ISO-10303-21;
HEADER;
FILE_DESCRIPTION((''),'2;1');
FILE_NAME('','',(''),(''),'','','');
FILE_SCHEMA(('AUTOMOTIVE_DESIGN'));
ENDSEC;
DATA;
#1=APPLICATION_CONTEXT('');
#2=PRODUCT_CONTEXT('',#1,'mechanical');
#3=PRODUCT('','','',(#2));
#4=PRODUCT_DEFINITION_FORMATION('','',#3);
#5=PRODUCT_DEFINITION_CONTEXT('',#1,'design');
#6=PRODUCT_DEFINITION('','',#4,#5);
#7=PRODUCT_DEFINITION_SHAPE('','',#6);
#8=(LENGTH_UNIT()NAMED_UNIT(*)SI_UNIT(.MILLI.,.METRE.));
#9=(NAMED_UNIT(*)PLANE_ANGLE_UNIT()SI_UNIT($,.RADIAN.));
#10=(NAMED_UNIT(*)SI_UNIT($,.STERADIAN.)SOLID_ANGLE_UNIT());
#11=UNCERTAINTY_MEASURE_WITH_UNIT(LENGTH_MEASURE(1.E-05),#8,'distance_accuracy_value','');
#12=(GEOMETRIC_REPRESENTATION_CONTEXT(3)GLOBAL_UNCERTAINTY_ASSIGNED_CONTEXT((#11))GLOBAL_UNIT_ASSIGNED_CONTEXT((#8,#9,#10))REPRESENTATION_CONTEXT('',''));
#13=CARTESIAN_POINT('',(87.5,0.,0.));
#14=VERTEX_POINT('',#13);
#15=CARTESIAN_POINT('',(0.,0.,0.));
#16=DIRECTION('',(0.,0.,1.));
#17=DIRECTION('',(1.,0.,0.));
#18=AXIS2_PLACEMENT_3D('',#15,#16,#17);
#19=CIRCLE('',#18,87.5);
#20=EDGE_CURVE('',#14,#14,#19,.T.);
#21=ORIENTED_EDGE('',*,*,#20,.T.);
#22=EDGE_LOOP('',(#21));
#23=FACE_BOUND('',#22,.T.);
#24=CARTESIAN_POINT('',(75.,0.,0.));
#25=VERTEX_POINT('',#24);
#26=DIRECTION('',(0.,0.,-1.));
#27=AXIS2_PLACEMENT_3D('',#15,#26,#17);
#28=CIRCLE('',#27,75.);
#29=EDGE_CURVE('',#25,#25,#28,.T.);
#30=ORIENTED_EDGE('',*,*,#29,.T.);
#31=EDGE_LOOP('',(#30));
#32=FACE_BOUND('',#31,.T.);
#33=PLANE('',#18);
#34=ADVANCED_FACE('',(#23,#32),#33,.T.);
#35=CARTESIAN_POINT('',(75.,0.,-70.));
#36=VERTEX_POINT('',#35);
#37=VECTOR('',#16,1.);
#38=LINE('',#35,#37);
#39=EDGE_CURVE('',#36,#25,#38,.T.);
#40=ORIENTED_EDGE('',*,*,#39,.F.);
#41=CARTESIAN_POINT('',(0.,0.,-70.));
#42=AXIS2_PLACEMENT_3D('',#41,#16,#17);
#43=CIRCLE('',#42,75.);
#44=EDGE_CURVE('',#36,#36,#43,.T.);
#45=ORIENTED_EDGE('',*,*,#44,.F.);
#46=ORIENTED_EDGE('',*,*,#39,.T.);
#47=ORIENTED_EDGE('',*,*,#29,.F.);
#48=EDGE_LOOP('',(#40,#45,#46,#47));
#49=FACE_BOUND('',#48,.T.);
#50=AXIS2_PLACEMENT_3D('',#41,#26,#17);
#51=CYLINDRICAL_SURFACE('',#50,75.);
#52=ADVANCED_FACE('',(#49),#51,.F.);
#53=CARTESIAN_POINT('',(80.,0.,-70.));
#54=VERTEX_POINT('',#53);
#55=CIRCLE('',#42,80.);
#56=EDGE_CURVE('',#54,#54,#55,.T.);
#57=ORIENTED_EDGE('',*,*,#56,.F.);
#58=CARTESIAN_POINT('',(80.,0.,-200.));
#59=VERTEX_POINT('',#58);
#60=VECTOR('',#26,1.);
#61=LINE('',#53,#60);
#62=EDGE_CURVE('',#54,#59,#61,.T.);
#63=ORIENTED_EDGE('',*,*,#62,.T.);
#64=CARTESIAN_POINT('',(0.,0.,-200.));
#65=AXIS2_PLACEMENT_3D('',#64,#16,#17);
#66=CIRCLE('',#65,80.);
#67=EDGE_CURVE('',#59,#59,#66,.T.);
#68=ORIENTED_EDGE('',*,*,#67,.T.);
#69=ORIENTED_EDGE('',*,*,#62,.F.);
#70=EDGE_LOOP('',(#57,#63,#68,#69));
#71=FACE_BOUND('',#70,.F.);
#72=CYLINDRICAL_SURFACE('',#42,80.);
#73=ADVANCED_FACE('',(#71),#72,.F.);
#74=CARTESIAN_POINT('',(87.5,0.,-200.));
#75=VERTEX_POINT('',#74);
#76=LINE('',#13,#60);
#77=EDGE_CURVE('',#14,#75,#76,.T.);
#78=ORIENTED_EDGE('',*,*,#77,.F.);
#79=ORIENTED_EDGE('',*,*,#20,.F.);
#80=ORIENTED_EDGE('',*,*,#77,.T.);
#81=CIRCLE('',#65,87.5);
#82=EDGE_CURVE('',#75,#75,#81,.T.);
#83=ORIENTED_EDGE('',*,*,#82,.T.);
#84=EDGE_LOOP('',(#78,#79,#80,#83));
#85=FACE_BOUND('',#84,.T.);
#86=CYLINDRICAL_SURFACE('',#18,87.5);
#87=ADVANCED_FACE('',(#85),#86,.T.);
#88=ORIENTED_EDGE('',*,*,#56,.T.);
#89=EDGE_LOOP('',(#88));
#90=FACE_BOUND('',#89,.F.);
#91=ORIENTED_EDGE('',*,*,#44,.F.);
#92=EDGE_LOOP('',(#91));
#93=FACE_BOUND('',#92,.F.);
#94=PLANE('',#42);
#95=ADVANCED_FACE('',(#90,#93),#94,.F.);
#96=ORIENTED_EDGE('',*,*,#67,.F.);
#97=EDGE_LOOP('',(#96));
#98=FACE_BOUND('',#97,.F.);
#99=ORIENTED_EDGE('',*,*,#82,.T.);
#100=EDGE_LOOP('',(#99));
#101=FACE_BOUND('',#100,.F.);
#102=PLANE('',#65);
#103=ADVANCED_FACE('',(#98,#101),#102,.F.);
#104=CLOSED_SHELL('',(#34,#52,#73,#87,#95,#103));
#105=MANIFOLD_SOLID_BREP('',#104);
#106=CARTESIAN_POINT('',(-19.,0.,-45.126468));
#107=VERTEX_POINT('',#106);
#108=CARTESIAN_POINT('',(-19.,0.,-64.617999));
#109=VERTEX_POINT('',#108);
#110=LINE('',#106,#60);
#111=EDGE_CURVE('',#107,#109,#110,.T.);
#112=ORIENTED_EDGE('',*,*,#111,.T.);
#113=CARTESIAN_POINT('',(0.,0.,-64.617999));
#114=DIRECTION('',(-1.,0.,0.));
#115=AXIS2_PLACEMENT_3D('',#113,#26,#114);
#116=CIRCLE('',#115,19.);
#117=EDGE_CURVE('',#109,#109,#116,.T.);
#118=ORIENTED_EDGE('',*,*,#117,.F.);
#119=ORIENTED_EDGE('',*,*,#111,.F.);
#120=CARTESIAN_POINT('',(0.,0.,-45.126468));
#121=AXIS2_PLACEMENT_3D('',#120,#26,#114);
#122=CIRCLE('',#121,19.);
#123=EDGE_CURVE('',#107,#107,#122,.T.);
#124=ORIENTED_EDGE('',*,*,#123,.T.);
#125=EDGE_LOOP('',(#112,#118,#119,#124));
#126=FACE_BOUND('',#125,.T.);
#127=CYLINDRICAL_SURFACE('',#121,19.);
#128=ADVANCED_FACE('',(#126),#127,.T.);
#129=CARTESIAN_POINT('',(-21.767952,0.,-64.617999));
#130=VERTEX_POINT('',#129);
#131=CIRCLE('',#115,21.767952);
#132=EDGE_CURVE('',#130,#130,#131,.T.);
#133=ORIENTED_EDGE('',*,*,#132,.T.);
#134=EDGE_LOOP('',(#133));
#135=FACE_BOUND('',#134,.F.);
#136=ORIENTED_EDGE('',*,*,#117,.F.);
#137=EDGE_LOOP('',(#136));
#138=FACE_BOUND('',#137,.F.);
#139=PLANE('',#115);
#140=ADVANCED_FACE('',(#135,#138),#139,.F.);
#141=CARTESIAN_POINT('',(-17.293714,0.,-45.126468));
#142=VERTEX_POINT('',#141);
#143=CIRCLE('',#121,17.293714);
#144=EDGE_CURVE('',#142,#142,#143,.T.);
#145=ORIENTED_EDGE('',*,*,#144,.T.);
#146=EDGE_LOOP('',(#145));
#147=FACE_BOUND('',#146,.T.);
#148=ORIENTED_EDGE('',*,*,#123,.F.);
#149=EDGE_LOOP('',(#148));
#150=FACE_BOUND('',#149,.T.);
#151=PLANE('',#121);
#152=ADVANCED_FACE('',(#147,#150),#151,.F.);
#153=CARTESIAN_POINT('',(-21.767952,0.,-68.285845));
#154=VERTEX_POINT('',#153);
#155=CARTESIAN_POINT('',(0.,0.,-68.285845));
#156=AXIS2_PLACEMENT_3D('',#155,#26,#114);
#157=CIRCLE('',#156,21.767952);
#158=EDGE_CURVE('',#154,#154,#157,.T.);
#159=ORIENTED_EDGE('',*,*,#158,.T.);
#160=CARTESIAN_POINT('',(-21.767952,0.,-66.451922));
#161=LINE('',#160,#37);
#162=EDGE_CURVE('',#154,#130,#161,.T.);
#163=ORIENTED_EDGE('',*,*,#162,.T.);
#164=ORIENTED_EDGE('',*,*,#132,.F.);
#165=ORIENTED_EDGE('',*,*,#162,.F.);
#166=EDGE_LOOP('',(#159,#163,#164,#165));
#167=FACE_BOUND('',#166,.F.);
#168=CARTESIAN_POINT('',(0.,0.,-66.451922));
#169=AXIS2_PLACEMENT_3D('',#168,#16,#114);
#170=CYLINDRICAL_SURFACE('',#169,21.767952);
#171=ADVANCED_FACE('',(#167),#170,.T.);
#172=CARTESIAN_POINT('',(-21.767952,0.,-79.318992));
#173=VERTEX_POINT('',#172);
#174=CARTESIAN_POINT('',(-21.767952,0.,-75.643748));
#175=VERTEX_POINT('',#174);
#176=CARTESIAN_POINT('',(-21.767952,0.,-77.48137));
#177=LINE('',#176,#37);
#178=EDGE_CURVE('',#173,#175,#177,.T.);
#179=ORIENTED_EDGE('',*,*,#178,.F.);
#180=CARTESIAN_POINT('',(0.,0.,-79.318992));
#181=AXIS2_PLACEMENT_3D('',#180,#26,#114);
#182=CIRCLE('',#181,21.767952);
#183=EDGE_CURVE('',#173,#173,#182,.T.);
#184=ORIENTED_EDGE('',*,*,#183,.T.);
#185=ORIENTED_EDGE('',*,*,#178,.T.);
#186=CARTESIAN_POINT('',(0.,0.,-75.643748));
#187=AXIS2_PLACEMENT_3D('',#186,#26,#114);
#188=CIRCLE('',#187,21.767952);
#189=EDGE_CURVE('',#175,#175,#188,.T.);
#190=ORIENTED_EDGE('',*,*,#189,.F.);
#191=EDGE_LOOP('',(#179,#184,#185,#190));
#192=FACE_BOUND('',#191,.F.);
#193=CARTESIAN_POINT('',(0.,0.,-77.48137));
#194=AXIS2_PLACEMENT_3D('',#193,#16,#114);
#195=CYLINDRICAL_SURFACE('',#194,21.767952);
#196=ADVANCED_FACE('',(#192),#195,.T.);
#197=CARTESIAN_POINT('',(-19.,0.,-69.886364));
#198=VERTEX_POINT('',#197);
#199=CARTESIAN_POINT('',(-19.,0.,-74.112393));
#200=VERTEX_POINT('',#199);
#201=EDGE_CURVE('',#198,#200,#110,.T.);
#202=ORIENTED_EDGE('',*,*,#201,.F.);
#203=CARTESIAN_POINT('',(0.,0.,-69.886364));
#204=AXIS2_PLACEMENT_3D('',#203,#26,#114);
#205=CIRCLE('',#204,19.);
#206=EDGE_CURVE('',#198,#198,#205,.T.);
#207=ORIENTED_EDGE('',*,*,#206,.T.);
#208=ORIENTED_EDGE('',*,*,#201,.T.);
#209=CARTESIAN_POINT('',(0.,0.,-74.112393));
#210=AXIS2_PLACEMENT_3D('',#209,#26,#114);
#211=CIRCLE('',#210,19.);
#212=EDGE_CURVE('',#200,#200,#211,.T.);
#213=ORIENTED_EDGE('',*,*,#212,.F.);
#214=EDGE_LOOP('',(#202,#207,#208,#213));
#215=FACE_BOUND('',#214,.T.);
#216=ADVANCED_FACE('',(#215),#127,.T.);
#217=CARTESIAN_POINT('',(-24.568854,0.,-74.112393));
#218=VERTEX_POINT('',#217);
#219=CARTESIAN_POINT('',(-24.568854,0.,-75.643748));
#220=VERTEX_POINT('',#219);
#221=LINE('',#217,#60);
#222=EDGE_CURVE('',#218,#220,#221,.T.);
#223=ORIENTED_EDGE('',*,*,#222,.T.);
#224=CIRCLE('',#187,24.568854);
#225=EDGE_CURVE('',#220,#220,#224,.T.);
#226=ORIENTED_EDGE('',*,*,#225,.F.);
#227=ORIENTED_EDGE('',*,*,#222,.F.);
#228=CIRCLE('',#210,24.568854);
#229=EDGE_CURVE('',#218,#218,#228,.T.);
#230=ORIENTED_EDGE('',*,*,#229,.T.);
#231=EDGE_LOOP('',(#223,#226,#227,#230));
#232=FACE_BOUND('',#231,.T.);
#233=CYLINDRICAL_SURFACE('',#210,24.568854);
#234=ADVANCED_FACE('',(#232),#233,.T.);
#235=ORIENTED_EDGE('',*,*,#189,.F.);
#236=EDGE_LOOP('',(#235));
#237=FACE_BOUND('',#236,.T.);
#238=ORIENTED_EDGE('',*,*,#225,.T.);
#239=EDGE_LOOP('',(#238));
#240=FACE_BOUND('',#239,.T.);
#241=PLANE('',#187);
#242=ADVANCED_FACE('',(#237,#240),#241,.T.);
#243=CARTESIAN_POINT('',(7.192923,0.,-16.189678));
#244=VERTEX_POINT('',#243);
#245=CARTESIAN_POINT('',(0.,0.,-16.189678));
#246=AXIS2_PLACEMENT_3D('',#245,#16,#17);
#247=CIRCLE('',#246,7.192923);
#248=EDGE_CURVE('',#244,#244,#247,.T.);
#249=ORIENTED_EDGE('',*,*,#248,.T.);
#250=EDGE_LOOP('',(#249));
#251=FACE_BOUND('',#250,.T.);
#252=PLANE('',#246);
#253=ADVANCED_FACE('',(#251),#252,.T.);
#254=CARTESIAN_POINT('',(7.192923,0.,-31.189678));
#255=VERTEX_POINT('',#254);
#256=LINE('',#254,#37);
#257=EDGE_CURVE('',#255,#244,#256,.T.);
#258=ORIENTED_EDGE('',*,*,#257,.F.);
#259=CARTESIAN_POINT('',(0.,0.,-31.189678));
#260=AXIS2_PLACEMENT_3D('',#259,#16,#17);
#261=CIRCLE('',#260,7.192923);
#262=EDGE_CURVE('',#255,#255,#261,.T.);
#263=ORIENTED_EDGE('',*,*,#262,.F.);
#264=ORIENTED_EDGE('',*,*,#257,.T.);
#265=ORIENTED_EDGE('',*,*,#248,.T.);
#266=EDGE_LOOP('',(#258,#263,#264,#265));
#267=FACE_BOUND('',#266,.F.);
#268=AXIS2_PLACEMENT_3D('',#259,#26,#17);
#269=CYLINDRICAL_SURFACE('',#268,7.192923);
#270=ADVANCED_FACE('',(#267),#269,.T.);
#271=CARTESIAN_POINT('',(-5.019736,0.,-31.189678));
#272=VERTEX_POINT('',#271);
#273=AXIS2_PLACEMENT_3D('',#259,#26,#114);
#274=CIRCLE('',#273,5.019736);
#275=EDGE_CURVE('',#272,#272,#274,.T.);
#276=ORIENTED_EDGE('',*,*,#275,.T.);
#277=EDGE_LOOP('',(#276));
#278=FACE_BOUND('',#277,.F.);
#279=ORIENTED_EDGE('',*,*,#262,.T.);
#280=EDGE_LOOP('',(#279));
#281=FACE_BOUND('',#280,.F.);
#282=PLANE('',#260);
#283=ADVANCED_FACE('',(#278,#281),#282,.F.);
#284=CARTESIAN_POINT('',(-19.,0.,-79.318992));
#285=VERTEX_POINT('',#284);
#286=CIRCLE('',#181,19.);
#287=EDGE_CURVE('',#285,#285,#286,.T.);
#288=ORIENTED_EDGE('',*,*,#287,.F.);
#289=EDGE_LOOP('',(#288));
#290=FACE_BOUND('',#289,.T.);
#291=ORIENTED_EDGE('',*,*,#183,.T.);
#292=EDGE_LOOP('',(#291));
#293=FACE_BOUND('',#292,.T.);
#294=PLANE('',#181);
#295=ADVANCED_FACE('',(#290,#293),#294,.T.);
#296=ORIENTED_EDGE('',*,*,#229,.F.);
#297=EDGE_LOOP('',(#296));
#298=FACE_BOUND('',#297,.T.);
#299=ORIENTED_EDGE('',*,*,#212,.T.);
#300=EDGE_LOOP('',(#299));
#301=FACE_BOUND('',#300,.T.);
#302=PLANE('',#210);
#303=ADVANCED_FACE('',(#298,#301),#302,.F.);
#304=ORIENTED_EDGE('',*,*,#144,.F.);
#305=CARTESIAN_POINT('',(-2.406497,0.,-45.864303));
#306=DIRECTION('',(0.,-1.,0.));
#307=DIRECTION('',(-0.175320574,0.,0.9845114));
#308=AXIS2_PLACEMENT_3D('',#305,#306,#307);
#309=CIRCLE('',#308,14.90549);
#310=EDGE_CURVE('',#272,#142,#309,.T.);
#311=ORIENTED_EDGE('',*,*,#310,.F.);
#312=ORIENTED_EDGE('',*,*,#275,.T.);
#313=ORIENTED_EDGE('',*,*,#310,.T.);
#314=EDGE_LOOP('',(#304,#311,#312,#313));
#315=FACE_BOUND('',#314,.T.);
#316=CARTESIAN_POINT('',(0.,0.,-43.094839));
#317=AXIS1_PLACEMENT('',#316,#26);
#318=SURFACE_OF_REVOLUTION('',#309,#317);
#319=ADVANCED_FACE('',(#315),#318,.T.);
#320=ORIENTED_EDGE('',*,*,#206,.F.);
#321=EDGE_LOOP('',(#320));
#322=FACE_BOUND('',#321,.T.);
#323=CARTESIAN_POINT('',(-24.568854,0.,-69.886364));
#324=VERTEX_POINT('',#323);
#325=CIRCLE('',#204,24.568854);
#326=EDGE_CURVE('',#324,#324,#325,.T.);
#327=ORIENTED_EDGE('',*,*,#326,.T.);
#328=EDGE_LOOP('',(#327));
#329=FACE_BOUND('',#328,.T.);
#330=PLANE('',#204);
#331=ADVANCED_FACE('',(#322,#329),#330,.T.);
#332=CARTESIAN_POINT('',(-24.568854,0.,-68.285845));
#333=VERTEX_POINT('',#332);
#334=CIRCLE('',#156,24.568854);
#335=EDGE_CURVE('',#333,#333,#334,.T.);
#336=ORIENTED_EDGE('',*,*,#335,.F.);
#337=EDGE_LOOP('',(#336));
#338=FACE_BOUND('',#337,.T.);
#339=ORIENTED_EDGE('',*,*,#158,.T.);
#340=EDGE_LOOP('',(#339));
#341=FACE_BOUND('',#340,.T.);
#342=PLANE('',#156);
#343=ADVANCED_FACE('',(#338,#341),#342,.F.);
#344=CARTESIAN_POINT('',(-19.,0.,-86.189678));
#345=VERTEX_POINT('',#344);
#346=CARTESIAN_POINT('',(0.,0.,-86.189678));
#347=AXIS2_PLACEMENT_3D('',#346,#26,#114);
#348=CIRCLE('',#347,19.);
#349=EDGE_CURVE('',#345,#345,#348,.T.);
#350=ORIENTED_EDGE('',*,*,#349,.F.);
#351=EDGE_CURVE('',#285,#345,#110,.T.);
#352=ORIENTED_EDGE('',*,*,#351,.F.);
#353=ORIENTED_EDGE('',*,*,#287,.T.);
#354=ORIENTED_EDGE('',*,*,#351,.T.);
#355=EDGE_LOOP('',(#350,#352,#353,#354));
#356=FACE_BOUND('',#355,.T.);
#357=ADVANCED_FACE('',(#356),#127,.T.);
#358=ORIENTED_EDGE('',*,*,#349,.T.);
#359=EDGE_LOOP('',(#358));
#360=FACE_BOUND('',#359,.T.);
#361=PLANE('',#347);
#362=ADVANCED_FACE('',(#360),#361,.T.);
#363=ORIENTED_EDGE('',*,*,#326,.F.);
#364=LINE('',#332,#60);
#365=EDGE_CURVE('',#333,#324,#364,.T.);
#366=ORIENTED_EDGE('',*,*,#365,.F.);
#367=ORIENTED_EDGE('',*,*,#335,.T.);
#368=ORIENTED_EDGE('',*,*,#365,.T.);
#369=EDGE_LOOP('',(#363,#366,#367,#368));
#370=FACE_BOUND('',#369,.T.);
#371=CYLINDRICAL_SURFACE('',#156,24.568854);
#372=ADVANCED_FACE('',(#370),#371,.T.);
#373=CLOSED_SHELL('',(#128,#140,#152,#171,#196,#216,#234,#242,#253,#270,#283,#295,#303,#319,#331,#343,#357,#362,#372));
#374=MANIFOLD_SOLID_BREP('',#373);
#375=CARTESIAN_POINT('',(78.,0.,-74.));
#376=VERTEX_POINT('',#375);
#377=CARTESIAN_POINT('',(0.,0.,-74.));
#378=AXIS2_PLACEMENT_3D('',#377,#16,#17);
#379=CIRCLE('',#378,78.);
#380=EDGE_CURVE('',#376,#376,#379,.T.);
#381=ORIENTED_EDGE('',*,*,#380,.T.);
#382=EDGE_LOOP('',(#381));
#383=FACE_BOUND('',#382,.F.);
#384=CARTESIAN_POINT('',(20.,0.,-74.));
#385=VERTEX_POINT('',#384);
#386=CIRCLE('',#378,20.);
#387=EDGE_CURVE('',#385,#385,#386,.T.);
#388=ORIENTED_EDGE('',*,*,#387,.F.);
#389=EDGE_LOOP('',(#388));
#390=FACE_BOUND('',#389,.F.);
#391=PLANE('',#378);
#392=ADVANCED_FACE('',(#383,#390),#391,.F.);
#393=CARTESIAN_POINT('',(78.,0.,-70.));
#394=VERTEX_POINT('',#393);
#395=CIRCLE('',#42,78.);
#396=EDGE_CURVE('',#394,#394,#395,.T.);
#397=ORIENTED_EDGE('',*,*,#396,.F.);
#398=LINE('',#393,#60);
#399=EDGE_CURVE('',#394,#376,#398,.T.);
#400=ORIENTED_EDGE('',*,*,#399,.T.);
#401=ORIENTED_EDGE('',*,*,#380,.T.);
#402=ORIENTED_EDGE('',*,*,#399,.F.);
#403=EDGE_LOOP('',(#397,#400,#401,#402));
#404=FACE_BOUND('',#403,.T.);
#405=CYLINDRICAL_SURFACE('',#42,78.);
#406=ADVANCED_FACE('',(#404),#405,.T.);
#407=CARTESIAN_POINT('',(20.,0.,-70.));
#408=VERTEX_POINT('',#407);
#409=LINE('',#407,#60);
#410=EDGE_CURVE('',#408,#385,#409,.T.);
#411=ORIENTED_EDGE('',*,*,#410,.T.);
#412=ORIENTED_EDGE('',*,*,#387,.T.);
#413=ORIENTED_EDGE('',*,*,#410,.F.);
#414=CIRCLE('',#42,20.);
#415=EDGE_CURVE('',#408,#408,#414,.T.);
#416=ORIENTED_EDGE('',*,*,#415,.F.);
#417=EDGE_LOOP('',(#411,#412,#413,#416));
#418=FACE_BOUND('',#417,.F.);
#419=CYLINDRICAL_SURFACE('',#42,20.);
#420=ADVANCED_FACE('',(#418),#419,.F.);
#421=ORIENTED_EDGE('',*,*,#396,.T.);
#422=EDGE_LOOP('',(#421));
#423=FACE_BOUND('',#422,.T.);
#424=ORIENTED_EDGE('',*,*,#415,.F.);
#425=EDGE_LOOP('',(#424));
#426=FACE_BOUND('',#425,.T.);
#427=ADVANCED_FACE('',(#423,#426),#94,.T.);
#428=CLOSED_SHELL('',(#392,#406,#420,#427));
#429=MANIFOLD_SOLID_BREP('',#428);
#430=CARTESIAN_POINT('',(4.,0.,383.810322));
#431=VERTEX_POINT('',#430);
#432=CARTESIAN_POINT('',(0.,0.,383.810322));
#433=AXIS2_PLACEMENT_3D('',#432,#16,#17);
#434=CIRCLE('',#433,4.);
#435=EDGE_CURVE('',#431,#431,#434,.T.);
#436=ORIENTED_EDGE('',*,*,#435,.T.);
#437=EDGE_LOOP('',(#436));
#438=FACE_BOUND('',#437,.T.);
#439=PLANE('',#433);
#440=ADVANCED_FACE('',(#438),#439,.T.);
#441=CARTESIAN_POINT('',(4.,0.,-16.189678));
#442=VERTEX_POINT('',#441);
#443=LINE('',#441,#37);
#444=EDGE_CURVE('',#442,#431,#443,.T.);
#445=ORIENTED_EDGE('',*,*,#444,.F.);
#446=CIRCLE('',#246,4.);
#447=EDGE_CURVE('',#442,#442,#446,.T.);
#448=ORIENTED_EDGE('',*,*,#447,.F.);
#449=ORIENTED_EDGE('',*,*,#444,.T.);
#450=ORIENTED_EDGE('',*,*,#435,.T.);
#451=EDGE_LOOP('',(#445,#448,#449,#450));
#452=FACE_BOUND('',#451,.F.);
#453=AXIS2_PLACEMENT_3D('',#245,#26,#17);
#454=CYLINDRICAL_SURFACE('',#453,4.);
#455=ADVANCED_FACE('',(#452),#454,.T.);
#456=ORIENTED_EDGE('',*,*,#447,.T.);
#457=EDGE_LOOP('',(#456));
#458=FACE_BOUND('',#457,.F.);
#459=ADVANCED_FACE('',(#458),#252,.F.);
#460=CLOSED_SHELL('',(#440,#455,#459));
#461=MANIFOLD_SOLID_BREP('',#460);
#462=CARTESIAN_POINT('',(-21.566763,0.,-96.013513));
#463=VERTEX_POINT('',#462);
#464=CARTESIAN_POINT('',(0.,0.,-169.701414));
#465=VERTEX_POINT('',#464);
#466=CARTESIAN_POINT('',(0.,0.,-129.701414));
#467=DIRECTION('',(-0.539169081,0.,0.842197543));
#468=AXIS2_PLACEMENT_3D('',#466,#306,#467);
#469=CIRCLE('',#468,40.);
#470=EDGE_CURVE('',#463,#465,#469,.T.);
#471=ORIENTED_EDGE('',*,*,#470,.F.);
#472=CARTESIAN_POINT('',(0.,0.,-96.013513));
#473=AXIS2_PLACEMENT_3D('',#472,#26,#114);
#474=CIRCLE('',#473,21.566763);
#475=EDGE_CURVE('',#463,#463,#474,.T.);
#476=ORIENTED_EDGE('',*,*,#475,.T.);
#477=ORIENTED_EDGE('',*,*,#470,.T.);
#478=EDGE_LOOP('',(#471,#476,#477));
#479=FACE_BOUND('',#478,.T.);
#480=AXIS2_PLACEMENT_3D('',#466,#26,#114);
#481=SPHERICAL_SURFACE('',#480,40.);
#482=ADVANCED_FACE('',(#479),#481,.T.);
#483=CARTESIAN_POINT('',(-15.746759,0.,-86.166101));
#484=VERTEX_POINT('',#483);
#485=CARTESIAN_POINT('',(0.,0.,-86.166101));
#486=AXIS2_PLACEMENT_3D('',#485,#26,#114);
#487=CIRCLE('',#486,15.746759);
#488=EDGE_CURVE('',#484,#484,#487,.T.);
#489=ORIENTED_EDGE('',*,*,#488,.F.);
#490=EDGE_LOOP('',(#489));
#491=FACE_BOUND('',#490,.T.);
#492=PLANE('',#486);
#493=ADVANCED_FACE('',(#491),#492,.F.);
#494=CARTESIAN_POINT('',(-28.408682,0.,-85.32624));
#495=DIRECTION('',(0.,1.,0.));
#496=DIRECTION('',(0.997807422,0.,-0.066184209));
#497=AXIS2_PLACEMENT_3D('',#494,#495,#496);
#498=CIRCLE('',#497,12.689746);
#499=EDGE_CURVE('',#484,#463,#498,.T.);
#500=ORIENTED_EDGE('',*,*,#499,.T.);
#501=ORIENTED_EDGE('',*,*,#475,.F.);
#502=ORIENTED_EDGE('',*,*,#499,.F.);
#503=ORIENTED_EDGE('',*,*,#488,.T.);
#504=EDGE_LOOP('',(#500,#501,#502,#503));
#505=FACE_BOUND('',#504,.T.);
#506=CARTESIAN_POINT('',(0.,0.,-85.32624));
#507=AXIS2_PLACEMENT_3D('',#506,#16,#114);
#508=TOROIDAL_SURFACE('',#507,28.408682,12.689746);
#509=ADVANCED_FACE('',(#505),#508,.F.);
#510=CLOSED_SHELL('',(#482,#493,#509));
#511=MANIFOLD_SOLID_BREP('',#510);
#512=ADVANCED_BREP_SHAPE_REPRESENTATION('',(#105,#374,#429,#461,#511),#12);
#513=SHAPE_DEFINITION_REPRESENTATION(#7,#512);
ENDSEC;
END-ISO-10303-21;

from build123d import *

# Parameters (mm, degrees)
F0_R      = 87.5
F1_DEPTH  = 200
F3_R      = 75
F4_DEPTH  = 70.001
F5_R      = 80
F6_DEPTH  = 130.001
F7_R      = 25
F8_DEPTH  = 100
F9_R      = 6
F10_DEPTH = 20
F11_R     = 3
F12_DEPTH = 200
F14_R     = 78
F14_R_2   = 20
F15_DEPTH = 4
F16_W     = 2.767952
F16_H     = 3.675245
F16_H_2   = 3.667846
F20_R     = 7.192923
F21_DEPTH = 15
F22_R     = 4
F23_DEPTH = 400


with BuildPart() as f1:
    # F0 (on Top) → F1 (new body)
    with BuildSketch(Plane.XY):
        Circle(F0_R)
    extrude(amount=-F1_DEPTH)

    # F3 (on offset) → F4 (cut, through all)
    with BuildSketch(Plane.XY.offset(-70)):
        Circle(F3_R)
    extrude(amount=F4_DEPTH, mode=Mode.SUBTRACT)

    # F5 (on offset) → F6 (cut, through all)
    with BuildSketch(Plane.XY.offset(-70)):
        Circle(F5_R)
    extrude(amount=-F6_DEPTH, mode=Mode.SUBTRACT)


with BuildPart() as f8:
    # F7 (on offset) → F8 (new body)
    with BuildSketch(Plane.XY.offset(-70)):
        Circle(F7_R)
    extrude(amount=-F8_DEPTH)

    # F9 (on face) → F10 (join)
    with BuildSketch(Plane.XY.offset(-70)):
        Circle(F9_R)
    extrude(amount=F10_DEPTH)

    # F11 (on face) → F12 (join)
    with BuildSketch(Plane.XY.offset(-50)):
        Circle(F11_R)
    extrude(amount=F12_DEPTH)


with BuildPart() as f15:
    # F14 (on offset) → F15 (new body)
    with BuildSketch(Plane.XY.offset(-70)):
        Circle(F14_R)
        Circle(F14_R_2, mode=Mode.SUBTRACT)
    extrude(amount=-F15_DEPTH)


with BuildPart() as f17:
    # F16 (on Front) → F17 (revolve)
    with BuildSketch(Plane.XZ):
        with BuildLine():
            Line((-19, -86.189678), (0, -86.189678))
            Line((0, -86.189678), (0, -31.189678))
            Line((0, -31.189678), (-5.019736, -31.189678))
            ThreePointArc((-5.019736, -31.189678), (-13.592427, -36.012978), (-17.293714, -45.126468))
            Line((-17.293714, -45.126468), (-19, -45.126468))
            Line((-19, -45.126468), (-19, -64.617999))
            Line((-19, -64.617999), (-19, -68.285845))
            Line((-19, -68.285845), (-19, -69.886364))
            Line((-19, -69.886364), (-19, -74.112393))
            Line((-19, -74.112393), (-19, -75.643748))
            Line((-19, -75.643748), (-19, -79.318993))
            Line((-19, -79.318993), (-19, -86.189678))
        make_face()
        with Locations((-20.383976, -77.48137)):
            Rectangle(F16_W, F16_H)
        Polygon((-21.767952, -75.643748), (-19, -75.643748), (-19, -74.112393), (-24.568854, -74.112393), (-24.568854, -75.643748), align=None)
        Polygon((-24.568854, -69.886364), (-19, -69.886364), (-19, -68.285845), (-21.767952, -68.285845), (-24.568854, -68.285845), align=None)
        with Locations((-20.383976, -66.451922)):
            Rectangle(F16_W, F16_H_2)
    revolve(axis=Axis((0, 0, -43.094839), (0, 0, -1)))

    # F20 (on face) → F21 (join)
    with BuildSketch(Plane.XY.offset(-31.189678)):
        Circle(F20_R)
    extrude(amount=F21_DEPTH)


with BuildPart() as f19:
    # F18 (on Front) → F19 (revolve)
    with BuildSketch(Plane.XZ):
        with BuildLine():
            Line((0, -169.701414), (0, -89.701414))
            ThreePointArc((0, -89.701414), (-11.235745, -91.311858), (-21.566763, -96.013513))
            ThreePointArc((-21.566763, -96.013513), (-38.389556, -140.937159), (0, -169.701414))
        make_face()
        with BuildLine():
            ThreePointArc((-21.566763, -96.013513), (-11.235745, -91.311858), (0, -89.701414))
            Line((0, -89.701414), (0, -86.166101))
            Line((0, -86.166101), (-15.746759, -86.166101))
            ThreePointArc((-15.746759, -86.166101), (-17.484267, -91.782773), (-21.566763, -96.013513))
        make_face()
    revolve(axis=Axis((0, 0, -129.701414), (0, 0, -1)))


with BuildPart() as f23:
    # F22 (on face) → F23 (new body)
    with BuildSketch(Plane.XY.offset(-16.189678)):
        Circle(F22_R)
    extrude(amount=F23_DEPTH)


solid = Compound([f1.part, f15.part, f17.part, f19.part, f23.part])
